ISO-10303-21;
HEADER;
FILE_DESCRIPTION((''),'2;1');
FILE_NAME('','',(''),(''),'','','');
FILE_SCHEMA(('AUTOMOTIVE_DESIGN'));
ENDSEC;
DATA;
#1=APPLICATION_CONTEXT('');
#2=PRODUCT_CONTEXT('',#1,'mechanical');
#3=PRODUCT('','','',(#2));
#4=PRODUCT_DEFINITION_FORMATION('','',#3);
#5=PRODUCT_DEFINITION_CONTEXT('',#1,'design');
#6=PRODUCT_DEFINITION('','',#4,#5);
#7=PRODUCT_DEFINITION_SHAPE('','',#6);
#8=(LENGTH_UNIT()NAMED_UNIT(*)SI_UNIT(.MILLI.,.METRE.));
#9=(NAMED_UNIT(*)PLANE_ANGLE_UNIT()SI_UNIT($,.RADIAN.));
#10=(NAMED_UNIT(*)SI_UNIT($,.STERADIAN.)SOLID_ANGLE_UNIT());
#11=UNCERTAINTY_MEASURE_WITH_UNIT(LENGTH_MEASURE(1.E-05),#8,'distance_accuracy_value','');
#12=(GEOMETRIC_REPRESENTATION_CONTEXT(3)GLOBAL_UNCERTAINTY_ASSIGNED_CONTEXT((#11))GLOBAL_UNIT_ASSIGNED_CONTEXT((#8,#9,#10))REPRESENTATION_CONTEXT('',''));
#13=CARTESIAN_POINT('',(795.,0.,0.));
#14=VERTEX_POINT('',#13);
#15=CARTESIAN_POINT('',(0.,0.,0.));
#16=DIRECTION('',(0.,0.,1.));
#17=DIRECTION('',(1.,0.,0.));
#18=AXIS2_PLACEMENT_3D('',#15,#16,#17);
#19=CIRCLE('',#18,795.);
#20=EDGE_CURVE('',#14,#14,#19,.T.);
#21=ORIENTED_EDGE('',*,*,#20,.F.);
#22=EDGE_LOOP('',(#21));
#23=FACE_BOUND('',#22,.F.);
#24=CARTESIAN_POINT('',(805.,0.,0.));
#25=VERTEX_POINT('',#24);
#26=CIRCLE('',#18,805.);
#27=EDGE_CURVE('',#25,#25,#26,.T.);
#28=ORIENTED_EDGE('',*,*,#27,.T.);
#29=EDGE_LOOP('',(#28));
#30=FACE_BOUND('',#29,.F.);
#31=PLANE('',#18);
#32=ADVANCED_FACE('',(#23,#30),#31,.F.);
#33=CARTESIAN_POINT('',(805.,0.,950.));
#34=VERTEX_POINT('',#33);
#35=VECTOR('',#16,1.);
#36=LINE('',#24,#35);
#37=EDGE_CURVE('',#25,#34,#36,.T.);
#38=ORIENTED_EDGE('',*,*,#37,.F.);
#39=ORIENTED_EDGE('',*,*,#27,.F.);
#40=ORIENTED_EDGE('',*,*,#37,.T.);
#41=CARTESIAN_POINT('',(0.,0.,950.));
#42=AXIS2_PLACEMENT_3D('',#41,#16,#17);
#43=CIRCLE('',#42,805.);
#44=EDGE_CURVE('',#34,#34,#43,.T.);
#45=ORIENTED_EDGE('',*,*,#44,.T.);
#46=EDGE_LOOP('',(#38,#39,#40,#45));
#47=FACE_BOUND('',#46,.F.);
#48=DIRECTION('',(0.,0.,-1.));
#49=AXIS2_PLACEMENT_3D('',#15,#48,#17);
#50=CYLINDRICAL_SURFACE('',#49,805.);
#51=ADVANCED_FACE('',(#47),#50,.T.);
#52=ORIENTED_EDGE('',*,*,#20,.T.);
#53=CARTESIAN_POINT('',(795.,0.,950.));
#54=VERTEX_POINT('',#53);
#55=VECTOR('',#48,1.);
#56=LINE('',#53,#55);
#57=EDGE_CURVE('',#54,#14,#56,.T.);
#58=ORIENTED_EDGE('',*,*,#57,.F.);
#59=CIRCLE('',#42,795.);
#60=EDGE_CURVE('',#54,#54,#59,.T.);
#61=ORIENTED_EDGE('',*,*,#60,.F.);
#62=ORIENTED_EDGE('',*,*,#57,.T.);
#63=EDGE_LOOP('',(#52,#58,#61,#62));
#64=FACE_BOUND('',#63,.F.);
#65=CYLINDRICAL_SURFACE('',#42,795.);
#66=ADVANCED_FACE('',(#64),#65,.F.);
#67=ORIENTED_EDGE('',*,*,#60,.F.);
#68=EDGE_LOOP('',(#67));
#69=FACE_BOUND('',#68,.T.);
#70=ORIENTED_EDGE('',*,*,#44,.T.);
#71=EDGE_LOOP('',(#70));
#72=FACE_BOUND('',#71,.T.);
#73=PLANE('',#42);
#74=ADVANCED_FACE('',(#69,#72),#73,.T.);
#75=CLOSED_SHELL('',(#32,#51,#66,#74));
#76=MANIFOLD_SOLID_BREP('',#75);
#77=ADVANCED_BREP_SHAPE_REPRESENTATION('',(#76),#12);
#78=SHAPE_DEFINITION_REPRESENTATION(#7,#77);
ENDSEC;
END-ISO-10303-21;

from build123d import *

# Parameters (mm, degrees)
F0_R     = 805
F0_R_2   = 795
F1_DEPTH = 950
F2_R     = 795
F3_DEPTH = 2000


with BuildPart() as f1:
    # F0 (on Top) → F1 (new body)
    with BuildSketch(Plane.XY):
        Circle(F0_R)
        Circle(F0_R_2, mode=Mode.SUBTRACT)
        Circle(F0_R_2)
    extrude(amount=F1_DEPTH)

    # F2 (on face) → F3 (cut)
    with BuildSketch(Plane.XY.offset(950)):
        Circle(F2_R)
    extrude(amount=-F3_DEPTH, mode=Mode.SUBTRACT)


solid = f1.part
